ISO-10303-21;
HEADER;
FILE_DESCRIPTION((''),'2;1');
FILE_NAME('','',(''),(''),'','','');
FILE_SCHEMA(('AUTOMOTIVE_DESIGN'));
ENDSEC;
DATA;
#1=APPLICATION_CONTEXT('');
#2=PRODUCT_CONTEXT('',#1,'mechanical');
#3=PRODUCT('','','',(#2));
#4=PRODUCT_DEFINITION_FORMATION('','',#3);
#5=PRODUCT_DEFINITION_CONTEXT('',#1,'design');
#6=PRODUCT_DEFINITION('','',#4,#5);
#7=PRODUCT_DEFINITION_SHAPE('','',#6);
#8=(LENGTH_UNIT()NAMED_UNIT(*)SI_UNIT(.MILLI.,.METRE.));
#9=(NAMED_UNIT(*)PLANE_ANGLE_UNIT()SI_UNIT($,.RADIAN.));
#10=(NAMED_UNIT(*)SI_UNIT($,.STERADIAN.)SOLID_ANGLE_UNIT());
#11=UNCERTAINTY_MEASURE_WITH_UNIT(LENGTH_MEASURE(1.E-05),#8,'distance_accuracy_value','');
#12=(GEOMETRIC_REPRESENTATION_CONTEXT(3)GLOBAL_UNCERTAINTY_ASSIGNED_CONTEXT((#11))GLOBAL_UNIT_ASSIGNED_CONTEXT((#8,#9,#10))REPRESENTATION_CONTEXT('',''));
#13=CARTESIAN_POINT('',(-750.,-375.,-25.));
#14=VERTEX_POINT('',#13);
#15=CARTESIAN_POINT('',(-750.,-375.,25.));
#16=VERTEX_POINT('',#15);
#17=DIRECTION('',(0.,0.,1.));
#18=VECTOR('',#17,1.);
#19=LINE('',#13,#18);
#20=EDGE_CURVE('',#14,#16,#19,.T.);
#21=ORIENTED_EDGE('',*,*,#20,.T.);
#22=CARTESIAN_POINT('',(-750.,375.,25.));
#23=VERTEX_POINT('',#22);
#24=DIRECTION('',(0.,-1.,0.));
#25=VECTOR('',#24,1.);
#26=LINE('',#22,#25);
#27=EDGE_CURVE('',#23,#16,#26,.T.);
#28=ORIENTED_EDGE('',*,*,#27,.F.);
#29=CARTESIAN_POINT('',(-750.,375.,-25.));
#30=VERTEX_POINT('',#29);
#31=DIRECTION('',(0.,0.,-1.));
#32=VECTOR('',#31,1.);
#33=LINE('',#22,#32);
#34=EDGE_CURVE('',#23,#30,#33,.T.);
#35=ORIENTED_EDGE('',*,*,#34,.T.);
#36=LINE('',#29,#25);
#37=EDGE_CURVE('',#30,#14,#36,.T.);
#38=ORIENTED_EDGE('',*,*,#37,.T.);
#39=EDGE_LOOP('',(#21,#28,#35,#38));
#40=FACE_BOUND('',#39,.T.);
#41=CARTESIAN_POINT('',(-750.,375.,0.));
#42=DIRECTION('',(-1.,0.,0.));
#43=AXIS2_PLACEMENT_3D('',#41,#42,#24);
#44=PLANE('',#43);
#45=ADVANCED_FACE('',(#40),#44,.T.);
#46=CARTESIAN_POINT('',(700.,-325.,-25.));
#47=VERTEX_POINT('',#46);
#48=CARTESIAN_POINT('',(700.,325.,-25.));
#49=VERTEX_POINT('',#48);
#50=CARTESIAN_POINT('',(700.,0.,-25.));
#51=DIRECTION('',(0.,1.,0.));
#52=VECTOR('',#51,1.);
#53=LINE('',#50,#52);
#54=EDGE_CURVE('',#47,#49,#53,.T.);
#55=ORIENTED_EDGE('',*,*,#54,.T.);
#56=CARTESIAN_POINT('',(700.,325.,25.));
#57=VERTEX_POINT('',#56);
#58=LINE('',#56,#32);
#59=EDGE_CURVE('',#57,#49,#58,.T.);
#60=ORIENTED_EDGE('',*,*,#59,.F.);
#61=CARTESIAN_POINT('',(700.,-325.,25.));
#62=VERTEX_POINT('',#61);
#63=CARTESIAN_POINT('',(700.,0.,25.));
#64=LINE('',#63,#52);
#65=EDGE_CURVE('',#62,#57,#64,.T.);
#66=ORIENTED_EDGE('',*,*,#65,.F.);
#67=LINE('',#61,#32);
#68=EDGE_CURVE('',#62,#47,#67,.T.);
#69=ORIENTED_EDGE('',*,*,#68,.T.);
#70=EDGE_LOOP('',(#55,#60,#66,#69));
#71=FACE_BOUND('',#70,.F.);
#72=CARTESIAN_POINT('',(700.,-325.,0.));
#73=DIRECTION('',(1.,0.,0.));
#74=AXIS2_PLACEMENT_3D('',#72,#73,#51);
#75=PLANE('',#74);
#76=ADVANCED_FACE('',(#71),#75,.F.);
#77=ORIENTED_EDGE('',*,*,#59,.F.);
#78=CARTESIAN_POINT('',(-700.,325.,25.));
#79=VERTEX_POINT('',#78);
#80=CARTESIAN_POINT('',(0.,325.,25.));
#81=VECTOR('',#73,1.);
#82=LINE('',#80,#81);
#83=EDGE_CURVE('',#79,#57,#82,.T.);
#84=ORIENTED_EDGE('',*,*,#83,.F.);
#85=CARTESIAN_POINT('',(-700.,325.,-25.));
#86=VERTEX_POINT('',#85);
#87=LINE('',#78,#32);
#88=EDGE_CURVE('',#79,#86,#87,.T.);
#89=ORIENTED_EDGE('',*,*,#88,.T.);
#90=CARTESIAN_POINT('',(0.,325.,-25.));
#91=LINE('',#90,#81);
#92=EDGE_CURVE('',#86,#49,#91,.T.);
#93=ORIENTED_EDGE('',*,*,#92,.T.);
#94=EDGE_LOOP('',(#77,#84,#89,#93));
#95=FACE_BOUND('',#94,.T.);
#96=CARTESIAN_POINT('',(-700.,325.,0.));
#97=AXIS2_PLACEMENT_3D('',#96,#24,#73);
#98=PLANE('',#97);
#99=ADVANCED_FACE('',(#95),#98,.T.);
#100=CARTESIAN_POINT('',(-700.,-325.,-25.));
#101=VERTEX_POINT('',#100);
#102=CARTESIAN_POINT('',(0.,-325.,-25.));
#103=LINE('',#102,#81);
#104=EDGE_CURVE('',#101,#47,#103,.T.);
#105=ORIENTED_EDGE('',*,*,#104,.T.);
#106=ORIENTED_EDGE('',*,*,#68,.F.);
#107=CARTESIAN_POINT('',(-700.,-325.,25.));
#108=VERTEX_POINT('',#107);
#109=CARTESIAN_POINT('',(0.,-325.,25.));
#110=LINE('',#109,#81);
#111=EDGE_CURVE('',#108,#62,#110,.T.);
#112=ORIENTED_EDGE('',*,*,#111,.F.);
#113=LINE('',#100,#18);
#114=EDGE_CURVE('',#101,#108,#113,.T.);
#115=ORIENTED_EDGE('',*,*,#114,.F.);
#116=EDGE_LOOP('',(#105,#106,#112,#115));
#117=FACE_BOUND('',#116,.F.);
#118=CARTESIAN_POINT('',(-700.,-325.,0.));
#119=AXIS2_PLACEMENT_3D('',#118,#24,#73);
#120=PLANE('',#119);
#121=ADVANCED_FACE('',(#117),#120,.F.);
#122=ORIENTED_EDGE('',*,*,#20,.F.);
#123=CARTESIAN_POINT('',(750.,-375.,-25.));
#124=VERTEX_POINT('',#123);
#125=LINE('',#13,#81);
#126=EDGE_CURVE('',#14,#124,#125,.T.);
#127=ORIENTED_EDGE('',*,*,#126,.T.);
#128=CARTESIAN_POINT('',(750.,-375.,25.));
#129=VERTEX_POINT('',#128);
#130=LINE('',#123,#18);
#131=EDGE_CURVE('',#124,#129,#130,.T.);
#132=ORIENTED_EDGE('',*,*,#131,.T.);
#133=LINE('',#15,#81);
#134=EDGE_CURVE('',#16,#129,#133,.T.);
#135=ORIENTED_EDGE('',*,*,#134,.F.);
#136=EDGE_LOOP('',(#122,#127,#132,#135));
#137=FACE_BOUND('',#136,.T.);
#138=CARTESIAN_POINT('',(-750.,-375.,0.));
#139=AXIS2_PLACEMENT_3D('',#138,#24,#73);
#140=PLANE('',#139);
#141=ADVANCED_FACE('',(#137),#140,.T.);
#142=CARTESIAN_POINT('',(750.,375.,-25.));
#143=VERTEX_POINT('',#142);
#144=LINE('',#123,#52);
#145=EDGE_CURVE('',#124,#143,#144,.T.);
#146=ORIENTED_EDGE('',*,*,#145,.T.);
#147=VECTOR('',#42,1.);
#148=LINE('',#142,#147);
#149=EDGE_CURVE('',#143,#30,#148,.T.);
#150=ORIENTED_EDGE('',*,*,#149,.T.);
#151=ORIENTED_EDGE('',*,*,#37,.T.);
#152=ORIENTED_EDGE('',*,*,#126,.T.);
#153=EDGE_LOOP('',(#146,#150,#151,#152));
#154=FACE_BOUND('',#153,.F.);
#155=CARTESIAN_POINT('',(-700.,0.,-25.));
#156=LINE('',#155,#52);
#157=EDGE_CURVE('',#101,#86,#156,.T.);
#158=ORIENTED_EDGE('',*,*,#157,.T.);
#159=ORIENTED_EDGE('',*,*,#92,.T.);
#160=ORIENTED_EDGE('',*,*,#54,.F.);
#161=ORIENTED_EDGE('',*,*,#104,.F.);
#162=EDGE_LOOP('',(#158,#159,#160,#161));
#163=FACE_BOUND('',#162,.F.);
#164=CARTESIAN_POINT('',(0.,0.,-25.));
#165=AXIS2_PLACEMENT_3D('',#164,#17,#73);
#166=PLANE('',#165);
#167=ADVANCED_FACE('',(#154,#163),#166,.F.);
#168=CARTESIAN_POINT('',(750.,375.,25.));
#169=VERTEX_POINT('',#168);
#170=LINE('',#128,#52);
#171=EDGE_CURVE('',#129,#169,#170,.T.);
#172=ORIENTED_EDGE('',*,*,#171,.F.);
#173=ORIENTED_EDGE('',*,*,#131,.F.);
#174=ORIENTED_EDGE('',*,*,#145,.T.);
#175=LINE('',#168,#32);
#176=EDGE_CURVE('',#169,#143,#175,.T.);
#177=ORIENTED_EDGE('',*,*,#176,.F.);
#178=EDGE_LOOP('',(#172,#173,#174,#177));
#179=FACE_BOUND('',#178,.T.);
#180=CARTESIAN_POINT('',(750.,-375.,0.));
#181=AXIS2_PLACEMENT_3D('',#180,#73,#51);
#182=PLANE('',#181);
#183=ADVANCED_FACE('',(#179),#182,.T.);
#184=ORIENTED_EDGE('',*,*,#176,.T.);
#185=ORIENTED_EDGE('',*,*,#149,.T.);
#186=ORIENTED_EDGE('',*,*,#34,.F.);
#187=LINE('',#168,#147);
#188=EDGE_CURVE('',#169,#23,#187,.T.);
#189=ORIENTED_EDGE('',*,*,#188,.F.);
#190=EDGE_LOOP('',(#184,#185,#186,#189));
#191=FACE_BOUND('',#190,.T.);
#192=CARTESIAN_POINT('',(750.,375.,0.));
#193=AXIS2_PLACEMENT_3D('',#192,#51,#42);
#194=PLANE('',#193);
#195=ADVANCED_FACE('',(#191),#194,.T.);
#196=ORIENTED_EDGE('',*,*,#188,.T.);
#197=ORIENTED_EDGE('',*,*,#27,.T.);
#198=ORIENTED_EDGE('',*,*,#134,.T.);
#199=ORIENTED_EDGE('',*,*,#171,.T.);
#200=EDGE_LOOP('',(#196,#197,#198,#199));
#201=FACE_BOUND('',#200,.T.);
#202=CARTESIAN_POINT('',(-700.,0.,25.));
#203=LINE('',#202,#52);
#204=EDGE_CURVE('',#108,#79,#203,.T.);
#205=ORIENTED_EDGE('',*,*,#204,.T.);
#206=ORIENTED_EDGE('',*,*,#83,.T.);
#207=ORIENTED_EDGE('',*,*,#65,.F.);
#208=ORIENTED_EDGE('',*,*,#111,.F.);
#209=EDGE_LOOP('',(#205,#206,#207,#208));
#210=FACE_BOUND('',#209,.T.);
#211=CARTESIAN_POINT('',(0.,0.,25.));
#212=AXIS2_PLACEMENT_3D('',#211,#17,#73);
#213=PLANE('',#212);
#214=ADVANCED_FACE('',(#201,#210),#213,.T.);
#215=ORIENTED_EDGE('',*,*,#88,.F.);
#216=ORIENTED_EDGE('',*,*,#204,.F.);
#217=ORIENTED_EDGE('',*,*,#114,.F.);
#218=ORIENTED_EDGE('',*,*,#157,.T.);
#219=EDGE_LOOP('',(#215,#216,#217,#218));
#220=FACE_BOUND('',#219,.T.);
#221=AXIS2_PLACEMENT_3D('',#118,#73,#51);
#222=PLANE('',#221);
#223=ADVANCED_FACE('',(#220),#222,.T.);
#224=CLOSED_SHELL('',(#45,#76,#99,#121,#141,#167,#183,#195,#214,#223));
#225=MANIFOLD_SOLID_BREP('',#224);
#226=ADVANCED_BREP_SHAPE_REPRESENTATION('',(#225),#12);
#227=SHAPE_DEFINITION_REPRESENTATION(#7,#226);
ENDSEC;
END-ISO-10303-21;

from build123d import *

# Parameters (mm, degrees)
F0_W     = 1400
F0_H     = 650
F1_DEPTH = 25


with BuildPart() as f1:
    # F0 (on Top) → F1 (new body, symmetric)
    with BuildSketch(Plane.XY):
        Polygon((-750, 375), (-750, -375), (-359.724497, -375), (-309.724497, -375), (0, -375), (309.724497, -375), (359.724497, -375), (522.343877, -375), (750, -375), (750, 375), align=None)
        Rectangle(F0_W, F0_H, mode=Mode.SUBTRACT)
    extrude(amount=F1_DEPTH, both=True)


solid = f1.part
